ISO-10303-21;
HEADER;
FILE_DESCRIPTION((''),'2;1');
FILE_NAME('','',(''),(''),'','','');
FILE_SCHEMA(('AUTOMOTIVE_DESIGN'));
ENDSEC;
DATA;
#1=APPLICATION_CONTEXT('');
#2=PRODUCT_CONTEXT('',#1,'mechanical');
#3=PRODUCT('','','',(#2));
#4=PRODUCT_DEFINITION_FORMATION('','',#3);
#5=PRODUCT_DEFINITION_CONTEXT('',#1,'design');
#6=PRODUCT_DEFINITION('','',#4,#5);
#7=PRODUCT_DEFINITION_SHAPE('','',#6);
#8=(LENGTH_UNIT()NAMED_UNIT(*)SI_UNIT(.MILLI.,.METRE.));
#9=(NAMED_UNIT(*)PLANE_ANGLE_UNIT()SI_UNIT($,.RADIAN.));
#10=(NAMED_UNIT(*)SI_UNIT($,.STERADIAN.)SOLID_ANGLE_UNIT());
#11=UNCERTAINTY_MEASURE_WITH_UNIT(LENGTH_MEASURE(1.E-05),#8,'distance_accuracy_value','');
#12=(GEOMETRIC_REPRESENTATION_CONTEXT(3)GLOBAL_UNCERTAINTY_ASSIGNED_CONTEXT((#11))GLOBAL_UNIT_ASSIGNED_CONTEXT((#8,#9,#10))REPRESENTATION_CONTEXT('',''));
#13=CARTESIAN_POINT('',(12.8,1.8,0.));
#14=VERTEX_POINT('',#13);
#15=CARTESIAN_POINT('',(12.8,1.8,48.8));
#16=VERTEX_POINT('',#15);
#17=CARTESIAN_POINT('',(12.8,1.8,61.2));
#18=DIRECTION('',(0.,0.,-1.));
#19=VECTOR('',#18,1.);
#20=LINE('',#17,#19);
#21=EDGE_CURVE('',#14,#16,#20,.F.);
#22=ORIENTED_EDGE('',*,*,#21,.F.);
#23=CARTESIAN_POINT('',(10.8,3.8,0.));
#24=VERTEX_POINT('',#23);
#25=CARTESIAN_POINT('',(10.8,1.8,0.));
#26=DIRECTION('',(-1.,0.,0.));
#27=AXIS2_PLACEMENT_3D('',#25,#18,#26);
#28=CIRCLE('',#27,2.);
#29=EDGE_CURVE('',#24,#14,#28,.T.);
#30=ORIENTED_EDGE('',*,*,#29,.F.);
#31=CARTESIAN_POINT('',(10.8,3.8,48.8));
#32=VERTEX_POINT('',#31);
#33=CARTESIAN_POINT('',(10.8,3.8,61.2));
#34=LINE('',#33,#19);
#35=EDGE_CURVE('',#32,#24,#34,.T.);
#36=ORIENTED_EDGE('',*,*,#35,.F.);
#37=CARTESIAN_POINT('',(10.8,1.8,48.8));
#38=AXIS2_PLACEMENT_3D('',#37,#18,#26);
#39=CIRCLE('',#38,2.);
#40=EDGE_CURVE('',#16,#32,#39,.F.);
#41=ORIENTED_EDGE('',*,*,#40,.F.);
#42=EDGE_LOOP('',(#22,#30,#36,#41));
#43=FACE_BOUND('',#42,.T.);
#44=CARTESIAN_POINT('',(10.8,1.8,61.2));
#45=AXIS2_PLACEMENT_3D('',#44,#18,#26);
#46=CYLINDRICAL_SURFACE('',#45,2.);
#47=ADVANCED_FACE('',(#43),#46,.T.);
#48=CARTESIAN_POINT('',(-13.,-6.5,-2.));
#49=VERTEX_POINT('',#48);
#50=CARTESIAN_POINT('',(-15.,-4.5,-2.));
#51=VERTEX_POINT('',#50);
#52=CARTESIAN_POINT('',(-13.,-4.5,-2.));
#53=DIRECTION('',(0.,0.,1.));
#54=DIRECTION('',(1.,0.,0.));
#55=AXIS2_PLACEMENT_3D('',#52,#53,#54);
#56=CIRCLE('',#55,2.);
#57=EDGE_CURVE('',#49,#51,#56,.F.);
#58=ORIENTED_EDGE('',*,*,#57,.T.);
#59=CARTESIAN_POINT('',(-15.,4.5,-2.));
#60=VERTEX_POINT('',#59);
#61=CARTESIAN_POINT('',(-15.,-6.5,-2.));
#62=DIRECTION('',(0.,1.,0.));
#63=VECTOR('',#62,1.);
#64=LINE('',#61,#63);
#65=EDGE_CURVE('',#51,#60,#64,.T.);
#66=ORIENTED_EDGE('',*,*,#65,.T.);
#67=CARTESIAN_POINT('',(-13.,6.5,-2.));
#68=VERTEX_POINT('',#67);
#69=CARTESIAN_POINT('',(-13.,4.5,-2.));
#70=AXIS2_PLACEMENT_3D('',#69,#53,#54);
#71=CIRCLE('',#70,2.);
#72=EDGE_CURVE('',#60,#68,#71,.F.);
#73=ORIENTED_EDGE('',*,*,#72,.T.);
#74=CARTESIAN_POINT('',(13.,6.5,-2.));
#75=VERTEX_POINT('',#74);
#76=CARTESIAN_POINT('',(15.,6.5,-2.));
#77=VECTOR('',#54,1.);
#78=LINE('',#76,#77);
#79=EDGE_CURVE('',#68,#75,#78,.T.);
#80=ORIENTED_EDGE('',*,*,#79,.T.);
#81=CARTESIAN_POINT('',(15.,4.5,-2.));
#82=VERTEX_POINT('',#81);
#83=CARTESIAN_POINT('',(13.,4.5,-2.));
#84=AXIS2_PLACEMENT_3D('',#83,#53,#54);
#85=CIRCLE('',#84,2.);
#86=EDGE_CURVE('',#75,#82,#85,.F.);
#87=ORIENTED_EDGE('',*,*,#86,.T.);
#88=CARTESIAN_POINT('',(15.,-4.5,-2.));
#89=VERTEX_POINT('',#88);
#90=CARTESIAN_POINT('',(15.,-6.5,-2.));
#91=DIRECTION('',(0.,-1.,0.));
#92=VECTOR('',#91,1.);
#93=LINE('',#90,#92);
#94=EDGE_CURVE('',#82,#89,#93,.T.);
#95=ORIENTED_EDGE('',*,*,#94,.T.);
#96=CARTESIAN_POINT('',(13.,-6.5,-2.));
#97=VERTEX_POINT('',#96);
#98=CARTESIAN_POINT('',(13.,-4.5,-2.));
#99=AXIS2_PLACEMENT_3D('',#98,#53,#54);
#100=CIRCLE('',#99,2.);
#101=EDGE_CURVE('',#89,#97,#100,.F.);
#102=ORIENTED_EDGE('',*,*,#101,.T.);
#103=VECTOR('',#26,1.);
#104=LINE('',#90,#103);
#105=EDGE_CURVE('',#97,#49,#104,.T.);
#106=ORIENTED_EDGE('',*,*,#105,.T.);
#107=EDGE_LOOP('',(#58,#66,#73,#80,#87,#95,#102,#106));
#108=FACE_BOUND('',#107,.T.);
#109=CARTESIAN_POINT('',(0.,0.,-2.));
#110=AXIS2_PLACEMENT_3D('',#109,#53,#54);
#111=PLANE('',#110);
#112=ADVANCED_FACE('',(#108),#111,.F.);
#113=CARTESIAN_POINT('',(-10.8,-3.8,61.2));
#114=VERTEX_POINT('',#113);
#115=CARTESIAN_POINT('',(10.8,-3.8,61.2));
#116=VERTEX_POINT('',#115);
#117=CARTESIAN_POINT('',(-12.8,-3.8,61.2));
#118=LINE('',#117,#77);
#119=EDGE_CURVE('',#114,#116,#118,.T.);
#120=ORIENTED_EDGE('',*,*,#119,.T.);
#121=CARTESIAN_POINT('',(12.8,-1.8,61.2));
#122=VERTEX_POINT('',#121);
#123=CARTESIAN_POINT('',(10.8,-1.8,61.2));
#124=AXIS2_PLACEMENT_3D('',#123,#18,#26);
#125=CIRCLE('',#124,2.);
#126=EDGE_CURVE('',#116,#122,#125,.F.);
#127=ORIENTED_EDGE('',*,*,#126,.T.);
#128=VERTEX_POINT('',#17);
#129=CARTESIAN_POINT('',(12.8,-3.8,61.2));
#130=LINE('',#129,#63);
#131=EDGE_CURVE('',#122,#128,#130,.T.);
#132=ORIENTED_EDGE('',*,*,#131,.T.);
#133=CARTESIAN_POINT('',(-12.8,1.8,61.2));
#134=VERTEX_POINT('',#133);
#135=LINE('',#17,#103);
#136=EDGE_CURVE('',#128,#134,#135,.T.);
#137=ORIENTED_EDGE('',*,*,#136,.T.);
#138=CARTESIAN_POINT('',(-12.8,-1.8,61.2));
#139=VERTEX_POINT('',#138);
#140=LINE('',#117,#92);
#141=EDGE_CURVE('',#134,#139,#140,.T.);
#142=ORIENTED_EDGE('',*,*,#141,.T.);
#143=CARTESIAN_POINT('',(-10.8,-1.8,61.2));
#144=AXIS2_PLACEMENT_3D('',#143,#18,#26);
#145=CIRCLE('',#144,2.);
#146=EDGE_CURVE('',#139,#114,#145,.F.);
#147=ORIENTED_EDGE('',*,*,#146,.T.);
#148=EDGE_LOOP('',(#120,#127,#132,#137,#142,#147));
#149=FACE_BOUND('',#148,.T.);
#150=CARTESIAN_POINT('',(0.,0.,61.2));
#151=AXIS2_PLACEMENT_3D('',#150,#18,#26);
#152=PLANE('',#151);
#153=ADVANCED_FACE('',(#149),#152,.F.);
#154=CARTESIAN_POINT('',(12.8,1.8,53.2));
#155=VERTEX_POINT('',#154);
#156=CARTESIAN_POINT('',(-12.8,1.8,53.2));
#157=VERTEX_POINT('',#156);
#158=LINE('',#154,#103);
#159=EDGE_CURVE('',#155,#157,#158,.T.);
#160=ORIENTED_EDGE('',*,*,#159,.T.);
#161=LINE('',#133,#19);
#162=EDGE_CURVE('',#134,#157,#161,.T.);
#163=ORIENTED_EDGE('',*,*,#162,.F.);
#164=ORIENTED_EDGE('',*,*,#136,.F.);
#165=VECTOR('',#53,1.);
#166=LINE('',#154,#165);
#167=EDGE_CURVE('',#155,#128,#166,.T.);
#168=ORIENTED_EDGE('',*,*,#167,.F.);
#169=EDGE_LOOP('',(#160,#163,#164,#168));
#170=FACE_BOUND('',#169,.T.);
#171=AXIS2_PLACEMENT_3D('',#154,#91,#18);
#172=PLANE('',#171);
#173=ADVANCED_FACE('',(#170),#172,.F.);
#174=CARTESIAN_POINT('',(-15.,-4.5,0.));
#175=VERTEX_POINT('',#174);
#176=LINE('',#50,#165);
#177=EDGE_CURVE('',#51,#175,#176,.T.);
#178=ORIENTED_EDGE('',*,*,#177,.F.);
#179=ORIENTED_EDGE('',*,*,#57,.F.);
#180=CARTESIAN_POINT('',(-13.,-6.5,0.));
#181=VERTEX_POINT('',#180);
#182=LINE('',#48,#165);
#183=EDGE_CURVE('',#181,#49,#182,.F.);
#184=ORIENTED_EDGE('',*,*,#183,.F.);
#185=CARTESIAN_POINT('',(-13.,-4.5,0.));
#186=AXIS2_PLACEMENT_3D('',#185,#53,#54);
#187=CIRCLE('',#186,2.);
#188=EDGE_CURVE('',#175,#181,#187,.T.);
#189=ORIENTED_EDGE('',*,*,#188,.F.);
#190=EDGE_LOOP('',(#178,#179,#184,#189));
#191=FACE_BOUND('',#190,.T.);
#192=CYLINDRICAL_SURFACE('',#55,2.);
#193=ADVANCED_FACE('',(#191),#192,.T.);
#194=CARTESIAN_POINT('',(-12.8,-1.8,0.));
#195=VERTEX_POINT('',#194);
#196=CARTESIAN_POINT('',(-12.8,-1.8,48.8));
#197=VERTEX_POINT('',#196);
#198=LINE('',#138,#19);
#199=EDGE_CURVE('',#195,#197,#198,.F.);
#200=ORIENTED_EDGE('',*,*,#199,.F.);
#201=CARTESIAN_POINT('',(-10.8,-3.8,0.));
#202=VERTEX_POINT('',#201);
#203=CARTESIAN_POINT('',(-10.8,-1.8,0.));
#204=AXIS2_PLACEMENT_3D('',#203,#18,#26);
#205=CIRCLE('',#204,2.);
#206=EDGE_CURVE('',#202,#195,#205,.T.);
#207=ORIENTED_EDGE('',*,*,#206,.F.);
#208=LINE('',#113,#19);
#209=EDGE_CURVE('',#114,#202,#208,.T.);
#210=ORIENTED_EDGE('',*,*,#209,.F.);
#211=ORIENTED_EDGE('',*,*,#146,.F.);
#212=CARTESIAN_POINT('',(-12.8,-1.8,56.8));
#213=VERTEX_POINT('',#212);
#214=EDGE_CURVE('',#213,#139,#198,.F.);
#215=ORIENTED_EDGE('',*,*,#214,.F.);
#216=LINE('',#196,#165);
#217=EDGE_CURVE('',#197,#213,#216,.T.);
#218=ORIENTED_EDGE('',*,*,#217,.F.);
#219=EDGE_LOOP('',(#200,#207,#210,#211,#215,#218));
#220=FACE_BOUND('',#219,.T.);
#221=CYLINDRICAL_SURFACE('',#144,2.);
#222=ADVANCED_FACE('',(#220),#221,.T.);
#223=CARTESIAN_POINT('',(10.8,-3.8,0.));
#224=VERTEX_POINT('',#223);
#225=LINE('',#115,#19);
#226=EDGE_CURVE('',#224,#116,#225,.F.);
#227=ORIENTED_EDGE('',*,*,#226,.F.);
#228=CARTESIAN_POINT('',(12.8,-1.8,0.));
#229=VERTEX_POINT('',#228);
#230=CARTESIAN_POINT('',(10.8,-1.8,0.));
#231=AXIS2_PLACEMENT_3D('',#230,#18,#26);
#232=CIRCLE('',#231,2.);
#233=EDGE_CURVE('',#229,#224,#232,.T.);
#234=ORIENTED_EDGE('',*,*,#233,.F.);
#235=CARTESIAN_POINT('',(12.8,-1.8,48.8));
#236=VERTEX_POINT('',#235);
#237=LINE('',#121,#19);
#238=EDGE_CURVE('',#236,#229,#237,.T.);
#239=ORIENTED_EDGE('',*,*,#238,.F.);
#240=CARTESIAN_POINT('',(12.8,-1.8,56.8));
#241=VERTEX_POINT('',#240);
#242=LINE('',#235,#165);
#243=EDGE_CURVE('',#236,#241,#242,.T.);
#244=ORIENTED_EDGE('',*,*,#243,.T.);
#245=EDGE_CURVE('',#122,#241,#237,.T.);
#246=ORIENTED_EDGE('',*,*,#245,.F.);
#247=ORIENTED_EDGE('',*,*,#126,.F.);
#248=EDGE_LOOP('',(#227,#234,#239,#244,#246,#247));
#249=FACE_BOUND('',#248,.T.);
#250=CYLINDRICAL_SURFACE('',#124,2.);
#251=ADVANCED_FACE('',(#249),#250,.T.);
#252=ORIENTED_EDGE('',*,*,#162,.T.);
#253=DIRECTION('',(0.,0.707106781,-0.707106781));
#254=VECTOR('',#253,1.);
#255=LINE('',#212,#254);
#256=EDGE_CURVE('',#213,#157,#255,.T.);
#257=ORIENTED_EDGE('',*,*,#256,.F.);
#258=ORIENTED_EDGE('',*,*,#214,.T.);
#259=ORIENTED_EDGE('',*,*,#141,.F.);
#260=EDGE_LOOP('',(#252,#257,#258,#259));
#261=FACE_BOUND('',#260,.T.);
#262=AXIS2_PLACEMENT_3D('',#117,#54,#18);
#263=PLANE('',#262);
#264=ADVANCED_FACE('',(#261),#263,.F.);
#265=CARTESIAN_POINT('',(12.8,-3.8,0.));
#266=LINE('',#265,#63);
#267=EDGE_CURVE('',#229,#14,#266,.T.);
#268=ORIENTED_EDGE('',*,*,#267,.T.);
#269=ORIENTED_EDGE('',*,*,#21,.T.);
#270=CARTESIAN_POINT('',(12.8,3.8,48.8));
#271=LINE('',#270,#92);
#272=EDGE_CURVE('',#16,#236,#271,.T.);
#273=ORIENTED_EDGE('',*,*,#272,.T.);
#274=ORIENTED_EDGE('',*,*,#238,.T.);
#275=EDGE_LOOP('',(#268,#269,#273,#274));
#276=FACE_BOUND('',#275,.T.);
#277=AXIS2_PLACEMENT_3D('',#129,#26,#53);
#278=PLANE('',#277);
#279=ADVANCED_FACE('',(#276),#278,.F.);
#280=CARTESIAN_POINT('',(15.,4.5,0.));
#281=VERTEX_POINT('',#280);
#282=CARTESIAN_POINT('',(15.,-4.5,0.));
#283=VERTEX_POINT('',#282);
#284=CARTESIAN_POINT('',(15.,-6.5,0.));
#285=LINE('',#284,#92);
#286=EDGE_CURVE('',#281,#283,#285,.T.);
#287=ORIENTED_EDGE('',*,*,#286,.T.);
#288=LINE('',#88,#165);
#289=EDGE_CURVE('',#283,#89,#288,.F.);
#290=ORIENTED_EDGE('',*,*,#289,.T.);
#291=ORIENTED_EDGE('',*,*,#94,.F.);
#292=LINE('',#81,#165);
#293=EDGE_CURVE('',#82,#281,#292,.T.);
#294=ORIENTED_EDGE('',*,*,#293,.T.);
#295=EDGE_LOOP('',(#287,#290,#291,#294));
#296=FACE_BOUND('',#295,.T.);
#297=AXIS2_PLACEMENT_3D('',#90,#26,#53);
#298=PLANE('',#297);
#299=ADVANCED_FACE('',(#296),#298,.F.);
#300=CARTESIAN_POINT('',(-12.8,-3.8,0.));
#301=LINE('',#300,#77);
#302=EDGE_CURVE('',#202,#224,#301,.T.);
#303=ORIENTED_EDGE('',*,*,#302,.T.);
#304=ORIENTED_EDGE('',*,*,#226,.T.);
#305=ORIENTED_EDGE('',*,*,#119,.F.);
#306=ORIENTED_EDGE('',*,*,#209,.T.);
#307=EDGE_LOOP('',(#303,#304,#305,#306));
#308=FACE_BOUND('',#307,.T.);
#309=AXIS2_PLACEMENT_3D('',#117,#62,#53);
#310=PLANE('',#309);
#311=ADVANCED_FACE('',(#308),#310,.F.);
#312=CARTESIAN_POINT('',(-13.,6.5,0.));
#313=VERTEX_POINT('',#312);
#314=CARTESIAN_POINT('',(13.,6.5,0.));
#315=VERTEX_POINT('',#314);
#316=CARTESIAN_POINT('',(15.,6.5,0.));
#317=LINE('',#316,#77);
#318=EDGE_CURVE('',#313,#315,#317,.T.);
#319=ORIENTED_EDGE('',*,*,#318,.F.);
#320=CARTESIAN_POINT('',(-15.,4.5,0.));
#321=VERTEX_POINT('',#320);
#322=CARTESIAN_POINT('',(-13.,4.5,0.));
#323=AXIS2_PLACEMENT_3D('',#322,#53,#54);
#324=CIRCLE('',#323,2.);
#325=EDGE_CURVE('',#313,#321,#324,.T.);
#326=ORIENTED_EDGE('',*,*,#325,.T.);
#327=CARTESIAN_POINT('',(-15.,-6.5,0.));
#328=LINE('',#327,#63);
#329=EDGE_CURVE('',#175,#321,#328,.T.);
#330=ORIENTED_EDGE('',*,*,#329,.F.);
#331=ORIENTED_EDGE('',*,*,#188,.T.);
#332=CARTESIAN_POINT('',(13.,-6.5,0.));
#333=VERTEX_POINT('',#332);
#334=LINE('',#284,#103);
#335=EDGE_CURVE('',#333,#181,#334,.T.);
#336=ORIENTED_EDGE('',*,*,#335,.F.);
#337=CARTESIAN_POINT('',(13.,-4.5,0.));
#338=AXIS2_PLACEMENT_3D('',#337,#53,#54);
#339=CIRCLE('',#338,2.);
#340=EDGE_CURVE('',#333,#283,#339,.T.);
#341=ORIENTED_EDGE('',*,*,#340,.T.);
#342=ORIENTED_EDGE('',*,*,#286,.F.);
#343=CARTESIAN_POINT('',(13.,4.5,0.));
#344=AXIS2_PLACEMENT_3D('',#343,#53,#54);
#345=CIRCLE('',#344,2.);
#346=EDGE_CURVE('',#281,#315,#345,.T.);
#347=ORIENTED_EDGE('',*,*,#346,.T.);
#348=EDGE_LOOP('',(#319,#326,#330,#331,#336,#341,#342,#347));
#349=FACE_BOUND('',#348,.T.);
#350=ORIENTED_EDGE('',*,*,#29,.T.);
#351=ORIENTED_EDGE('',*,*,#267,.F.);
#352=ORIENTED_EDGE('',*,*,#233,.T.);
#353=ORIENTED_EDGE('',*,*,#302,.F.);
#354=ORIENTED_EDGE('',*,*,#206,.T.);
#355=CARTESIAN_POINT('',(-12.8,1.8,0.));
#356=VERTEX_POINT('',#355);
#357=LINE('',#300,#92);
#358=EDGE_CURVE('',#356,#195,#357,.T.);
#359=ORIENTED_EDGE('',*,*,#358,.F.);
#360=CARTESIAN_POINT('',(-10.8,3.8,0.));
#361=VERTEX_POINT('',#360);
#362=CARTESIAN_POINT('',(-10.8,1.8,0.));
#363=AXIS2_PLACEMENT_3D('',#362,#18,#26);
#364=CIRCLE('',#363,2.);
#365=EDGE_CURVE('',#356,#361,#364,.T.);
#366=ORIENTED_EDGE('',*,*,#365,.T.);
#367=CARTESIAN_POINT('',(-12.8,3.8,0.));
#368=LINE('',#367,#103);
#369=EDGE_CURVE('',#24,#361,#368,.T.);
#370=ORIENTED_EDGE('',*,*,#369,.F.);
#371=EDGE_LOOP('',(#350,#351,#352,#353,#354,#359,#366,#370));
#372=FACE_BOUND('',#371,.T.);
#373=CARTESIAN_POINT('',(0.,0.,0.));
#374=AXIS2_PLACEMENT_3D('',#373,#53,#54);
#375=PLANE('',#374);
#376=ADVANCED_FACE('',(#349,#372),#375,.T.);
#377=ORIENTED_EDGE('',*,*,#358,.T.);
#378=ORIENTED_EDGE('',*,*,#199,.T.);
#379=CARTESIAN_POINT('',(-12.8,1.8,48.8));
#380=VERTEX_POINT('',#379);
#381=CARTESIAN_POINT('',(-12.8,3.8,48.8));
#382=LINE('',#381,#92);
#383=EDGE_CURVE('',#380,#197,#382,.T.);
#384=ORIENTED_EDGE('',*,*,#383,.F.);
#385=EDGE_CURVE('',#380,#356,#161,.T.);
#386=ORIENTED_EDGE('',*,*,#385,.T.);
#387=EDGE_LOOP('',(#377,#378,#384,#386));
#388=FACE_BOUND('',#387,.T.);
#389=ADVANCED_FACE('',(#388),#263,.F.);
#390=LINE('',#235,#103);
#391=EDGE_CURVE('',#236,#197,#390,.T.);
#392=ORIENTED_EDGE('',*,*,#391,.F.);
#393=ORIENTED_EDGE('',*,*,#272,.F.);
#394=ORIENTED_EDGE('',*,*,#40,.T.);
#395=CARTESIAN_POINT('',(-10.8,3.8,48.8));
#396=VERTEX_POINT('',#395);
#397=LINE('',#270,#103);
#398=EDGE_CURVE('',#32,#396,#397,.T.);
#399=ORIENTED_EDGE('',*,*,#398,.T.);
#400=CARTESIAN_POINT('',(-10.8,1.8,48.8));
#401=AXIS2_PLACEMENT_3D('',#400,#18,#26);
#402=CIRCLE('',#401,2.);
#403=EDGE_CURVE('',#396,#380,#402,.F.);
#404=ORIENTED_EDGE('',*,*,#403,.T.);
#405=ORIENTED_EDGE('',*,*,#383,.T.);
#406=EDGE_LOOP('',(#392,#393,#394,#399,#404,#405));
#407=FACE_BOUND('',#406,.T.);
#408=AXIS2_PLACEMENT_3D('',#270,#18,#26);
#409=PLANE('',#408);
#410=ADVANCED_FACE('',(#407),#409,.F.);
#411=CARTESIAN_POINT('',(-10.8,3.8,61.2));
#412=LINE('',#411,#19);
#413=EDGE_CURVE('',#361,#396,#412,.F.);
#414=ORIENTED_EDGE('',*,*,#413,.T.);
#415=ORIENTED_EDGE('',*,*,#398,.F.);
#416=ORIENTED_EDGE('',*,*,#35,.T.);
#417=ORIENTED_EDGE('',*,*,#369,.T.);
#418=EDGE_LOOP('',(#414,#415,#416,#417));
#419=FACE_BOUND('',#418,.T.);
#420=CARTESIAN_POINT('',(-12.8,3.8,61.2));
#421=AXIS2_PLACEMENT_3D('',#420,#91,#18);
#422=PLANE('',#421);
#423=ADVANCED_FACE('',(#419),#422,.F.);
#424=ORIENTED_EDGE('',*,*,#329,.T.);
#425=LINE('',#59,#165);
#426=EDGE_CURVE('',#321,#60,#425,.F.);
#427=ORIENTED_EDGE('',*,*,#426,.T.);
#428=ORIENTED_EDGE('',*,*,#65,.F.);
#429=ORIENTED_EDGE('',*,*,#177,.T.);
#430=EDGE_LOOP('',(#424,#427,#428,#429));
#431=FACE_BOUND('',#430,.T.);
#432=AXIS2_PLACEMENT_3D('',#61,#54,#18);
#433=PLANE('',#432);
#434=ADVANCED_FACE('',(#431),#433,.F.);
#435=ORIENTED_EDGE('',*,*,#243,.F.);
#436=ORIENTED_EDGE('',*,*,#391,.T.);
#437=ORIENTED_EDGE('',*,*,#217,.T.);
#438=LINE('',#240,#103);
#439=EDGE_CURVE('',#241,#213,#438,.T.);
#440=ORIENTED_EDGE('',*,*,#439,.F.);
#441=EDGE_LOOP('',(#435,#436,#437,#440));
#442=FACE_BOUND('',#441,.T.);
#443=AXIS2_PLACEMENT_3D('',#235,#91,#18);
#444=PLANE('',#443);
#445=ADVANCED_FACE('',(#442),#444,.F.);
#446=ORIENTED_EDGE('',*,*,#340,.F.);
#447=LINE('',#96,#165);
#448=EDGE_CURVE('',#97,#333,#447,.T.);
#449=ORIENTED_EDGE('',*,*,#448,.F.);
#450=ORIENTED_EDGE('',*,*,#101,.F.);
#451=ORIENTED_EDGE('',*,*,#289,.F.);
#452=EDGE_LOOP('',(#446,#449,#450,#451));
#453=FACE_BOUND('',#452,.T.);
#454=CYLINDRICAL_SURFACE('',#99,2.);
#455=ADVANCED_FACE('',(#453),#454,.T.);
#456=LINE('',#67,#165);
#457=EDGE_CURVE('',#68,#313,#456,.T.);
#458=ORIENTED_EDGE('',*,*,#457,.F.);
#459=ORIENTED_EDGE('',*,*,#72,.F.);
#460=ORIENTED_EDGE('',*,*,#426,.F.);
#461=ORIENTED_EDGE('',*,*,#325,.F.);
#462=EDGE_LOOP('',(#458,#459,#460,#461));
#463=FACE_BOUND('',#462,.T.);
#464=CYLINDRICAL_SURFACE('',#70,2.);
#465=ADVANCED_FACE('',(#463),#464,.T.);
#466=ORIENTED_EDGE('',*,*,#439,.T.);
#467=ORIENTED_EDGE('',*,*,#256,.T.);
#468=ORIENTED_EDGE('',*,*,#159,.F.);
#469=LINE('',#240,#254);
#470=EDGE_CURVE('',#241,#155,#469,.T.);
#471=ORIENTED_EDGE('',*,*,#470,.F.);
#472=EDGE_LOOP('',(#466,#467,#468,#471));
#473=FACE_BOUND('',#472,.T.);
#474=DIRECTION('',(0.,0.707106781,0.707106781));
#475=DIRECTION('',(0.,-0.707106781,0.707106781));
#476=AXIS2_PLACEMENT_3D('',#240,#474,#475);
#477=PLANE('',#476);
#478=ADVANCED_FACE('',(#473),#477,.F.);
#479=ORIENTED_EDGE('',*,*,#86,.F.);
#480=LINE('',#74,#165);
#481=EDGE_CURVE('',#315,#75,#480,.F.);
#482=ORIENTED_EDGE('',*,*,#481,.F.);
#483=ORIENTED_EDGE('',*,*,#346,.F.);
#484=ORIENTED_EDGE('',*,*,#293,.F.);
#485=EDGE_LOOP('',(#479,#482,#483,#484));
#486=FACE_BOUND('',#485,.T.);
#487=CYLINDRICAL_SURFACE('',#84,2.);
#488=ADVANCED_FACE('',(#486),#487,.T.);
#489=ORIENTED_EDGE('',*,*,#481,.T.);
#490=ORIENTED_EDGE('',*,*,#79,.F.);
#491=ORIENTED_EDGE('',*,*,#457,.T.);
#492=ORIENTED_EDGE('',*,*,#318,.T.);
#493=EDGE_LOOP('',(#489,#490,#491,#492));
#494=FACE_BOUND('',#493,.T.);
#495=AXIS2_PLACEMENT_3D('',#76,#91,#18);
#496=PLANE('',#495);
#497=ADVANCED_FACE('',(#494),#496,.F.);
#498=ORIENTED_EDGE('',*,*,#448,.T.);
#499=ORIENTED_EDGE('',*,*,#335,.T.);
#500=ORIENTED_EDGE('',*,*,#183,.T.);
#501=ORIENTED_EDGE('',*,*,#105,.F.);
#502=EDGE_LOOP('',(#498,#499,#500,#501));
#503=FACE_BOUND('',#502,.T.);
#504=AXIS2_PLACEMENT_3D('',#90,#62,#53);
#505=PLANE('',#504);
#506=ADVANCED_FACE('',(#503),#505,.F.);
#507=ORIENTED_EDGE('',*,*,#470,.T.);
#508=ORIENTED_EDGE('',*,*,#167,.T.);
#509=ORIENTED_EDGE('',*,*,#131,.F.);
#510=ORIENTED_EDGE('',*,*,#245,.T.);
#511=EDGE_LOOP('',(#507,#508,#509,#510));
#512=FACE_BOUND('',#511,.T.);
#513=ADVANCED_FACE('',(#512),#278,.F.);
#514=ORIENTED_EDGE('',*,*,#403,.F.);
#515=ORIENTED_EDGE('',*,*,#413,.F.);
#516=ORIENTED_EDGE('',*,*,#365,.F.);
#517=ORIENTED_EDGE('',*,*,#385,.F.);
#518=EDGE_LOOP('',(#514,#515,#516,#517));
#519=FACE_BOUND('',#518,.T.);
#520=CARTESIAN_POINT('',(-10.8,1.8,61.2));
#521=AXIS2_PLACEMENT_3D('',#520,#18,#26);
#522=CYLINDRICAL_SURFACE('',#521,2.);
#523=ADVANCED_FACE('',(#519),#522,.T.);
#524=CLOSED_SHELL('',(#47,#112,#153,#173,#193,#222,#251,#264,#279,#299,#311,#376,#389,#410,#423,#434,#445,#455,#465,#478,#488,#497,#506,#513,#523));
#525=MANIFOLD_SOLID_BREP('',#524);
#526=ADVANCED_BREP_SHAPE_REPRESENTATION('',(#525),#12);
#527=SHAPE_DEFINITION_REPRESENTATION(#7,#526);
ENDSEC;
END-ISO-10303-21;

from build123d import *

# Parameters (mm, degrees)
SKETCH1_W           = 25.6
SKETCH1_H           = 7.6
BOSS_EXTRUDE1_DEPTH = 61.2
FILLET1_R           = 2
SKETCH2_W           = 30
SKETCH2_H           = 13
BOSS_EXTRUDE2_DEPTH = 2
FILLET2_R           = 2
CUT_EXTRUDE1_DEPTH  = 25.6


with BuildPart() as part:
    # Sketch1 → Boss-Extrude1 (new body)
    with BuildSketch(Plane.XY):
        Rectangle(SKETCH1_W, SKETCH1_H)
    extrude(amount=BOSS_EXTRUDE1_DEPTH)

    # Fillet1
    fillet1_edges = [part.edges().sort_by_distance(p)[0] for p in [
        (12.8, -3.8, 30.6),
        (-12.8, -3.8, 30.6),
        (-12.8, 3.8, 30.6),
        (12.8, 3.8, 30.6),
    ]]
    fillet(fillet1_edges, radius=FILLET1_R)

    # Sketch2 → Boss-Extrude2 (add)
    with BuildSketch(Plane(origin=(0, 0, 0), x_dir=(-1, 0, 0), z_dir=(0, 0, -1))):
        Rectangle(SKETCH2_W, SKETCH2_H)
    extrude(amount=BOSS_EXTRUDE2_DEPTH)

    # Fillet2
    fillet2_edges = [part.edges().sort_by_distance(p)[0] for p in [
        (-15, -6.5, -1),
        (-15, 6.5, -1),
        (15, 6.5, -1),
        (15, -6.5, -1),
    ]]
    fillet(fillet2_edges, radius=FILLET2_R)

    # Sketch3 → Cut-Extrude1 (cut)
    with BuildSketch(Plane.ZY.offset(12.8)):
        Polygon((48.8, -1.8), (56.8, -1.8), (53.2, 1.8), (61.2, 1.8), (61.2, 3.8), (48.8, 3.8), align=None)
    extrude(amount=-CUT_EXTRUDE1_DEPTH, mode=Mode.SUBTRACT)


solid = part.part
